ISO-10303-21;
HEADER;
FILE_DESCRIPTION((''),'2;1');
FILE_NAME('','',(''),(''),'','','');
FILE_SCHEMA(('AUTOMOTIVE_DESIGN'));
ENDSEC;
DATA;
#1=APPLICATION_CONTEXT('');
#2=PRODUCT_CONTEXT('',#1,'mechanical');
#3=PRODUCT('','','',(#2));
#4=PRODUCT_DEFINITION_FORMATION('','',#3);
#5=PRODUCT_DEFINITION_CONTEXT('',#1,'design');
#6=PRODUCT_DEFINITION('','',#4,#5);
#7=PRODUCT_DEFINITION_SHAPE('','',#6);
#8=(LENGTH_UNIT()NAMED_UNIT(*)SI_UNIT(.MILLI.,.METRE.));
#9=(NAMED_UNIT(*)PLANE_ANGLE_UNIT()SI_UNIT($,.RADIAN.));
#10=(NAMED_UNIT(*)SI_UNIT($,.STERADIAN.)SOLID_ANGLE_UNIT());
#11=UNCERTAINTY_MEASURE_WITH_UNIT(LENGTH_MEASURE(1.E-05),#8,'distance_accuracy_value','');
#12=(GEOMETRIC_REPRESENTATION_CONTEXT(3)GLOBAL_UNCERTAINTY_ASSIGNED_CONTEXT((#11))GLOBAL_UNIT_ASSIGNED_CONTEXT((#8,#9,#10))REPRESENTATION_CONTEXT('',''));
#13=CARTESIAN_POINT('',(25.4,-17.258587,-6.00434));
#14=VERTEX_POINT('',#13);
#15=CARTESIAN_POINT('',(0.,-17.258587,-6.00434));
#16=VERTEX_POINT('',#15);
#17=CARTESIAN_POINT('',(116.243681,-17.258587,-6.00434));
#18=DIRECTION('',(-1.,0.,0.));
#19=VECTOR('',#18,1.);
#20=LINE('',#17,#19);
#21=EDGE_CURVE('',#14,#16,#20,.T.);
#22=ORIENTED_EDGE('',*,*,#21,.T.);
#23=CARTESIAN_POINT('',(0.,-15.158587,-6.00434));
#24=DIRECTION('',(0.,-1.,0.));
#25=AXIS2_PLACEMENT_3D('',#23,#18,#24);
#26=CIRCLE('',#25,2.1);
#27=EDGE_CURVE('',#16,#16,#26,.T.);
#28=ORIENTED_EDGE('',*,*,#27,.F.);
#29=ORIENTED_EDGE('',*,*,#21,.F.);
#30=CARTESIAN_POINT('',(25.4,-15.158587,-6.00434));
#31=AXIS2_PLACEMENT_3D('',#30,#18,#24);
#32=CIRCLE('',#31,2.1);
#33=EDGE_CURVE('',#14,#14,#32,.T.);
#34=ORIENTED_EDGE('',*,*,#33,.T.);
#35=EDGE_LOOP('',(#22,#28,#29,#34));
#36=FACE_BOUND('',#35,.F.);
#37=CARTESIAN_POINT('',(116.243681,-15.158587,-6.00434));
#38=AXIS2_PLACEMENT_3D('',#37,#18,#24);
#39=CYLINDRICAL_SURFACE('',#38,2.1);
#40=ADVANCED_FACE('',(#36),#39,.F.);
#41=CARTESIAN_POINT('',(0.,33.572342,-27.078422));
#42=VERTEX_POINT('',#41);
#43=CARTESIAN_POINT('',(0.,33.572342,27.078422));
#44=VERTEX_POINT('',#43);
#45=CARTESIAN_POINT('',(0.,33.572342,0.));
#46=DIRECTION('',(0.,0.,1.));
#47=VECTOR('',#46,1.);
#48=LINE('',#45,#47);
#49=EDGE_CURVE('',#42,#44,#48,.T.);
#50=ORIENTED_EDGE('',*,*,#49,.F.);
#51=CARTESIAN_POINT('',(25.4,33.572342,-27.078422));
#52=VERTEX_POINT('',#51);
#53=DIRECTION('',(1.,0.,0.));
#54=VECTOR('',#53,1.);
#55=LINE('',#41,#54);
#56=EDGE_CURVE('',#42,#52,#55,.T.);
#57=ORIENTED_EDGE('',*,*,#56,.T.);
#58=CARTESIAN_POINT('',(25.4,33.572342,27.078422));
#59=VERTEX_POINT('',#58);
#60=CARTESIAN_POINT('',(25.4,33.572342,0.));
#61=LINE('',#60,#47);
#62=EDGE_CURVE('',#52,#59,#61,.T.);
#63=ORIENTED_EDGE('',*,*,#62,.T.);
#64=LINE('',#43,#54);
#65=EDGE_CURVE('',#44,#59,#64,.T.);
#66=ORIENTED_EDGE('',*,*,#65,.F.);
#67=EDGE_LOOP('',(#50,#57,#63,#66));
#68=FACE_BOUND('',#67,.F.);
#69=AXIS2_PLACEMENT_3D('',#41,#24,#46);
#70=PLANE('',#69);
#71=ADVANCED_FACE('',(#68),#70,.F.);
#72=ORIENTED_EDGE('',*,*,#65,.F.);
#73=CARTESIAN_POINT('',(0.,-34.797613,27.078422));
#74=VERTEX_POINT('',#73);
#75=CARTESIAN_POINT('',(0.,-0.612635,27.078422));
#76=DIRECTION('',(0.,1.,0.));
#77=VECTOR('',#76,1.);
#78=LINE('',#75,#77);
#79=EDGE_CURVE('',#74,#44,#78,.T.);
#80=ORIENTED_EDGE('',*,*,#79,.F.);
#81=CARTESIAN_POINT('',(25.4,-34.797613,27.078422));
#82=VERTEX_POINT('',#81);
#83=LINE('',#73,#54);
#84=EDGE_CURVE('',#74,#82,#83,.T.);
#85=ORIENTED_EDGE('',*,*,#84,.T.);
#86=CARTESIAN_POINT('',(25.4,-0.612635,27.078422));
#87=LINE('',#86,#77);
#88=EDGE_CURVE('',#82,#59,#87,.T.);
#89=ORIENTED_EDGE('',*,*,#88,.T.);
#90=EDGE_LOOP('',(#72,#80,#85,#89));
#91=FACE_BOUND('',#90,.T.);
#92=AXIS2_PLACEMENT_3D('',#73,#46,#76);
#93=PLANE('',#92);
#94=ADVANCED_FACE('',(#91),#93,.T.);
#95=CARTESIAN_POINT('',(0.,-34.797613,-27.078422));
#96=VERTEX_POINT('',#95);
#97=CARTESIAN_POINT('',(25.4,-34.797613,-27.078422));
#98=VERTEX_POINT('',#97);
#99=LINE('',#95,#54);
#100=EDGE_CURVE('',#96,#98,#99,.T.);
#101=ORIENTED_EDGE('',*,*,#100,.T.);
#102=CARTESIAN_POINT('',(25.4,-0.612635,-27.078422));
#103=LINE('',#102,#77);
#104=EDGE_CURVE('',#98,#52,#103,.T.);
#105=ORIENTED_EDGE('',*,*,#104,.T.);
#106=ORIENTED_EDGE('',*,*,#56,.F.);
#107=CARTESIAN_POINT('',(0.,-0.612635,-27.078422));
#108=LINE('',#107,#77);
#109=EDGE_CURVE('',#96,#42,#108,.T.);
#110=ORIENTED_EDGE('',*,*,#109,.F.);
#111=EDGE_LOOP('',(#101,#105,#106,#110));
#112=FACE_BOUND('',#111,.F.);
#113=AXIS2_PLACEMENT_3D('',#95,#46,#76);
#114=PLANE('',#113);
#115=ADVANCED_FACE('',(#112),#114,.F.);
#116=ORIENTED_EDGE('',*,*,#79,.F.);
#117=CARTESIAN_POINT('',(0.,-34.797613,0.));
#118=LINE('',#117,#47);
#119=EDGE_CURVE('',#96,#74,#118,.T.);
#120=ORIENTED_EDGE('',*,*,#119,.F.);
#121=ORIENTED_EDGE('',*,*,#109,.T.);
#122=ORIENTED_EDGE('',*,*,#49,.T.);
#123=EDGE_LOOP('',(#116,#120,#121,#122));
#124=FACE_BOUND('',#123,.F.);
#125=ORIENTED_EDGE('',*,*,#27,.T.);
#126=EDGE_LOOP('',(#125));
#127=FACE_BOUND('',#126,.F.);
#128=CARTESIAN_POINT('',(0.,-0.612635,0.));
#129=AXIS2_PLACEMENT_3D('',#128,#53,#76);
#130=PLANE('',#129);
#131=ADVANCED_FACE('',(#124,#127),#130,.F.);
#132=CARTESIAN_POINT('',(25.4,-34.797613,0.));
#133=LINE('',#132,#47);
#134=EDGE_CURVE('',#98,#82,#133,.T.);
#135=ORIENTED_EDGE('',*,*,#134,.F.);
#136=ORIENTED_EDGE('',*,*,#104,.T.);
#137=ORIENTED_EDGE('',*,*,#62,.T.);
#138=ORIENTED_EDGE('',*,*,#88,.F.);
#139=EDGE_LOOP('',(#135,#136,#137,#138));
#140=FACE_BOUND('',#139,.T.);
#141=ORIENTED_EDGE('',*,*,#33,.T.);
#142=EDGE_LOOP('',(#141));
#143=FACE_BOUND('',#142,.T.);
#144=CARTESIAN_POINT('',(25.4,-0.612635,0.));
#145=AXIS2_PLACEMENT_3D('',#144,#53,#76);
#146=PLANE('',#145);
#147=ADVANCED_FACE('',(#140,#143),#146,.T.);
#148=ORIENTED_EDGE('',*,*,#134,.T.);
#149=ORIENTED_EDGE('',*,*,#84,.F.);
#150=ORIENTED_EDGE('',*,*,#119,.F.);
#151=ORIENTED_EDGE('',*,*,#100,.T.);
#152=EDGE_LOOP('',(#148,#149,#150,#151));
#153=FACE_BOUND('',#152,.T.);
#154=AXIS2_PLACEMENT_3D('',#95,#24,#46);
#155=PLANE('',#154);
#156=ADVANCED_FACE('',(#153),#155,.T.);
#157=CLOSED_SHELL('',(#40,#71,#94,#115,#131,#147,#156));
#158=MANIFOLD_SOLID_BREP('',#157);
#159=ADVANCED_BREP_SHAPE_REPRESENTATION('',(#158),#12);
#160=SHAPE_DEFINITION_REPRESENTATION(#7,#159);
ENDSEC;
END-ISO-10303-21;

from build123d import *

# Parameters (mm, degrees)
F0_W     = 68.3699548244
F0_H     = 54.1568435729
F1_DEPTH = 25.4
F3_D     = 4.2


with BuildPart() as f1:
    # F0 (on Right) → F1 (new body)
    with BuildSketch(Plane.YZ):
        with Locations((-0.6126351655, 0)):
            Rectangle(F0_W, F0_H)
    extrude(amount=F1_DEPTH)

    # F3 (through all)
    with Locations(Plane.YZ.offset(25.4)):
        with Locations((-15.1585871354, -6.0043395497)):
            Hole(F3_D / 2)


solid = f1.part
